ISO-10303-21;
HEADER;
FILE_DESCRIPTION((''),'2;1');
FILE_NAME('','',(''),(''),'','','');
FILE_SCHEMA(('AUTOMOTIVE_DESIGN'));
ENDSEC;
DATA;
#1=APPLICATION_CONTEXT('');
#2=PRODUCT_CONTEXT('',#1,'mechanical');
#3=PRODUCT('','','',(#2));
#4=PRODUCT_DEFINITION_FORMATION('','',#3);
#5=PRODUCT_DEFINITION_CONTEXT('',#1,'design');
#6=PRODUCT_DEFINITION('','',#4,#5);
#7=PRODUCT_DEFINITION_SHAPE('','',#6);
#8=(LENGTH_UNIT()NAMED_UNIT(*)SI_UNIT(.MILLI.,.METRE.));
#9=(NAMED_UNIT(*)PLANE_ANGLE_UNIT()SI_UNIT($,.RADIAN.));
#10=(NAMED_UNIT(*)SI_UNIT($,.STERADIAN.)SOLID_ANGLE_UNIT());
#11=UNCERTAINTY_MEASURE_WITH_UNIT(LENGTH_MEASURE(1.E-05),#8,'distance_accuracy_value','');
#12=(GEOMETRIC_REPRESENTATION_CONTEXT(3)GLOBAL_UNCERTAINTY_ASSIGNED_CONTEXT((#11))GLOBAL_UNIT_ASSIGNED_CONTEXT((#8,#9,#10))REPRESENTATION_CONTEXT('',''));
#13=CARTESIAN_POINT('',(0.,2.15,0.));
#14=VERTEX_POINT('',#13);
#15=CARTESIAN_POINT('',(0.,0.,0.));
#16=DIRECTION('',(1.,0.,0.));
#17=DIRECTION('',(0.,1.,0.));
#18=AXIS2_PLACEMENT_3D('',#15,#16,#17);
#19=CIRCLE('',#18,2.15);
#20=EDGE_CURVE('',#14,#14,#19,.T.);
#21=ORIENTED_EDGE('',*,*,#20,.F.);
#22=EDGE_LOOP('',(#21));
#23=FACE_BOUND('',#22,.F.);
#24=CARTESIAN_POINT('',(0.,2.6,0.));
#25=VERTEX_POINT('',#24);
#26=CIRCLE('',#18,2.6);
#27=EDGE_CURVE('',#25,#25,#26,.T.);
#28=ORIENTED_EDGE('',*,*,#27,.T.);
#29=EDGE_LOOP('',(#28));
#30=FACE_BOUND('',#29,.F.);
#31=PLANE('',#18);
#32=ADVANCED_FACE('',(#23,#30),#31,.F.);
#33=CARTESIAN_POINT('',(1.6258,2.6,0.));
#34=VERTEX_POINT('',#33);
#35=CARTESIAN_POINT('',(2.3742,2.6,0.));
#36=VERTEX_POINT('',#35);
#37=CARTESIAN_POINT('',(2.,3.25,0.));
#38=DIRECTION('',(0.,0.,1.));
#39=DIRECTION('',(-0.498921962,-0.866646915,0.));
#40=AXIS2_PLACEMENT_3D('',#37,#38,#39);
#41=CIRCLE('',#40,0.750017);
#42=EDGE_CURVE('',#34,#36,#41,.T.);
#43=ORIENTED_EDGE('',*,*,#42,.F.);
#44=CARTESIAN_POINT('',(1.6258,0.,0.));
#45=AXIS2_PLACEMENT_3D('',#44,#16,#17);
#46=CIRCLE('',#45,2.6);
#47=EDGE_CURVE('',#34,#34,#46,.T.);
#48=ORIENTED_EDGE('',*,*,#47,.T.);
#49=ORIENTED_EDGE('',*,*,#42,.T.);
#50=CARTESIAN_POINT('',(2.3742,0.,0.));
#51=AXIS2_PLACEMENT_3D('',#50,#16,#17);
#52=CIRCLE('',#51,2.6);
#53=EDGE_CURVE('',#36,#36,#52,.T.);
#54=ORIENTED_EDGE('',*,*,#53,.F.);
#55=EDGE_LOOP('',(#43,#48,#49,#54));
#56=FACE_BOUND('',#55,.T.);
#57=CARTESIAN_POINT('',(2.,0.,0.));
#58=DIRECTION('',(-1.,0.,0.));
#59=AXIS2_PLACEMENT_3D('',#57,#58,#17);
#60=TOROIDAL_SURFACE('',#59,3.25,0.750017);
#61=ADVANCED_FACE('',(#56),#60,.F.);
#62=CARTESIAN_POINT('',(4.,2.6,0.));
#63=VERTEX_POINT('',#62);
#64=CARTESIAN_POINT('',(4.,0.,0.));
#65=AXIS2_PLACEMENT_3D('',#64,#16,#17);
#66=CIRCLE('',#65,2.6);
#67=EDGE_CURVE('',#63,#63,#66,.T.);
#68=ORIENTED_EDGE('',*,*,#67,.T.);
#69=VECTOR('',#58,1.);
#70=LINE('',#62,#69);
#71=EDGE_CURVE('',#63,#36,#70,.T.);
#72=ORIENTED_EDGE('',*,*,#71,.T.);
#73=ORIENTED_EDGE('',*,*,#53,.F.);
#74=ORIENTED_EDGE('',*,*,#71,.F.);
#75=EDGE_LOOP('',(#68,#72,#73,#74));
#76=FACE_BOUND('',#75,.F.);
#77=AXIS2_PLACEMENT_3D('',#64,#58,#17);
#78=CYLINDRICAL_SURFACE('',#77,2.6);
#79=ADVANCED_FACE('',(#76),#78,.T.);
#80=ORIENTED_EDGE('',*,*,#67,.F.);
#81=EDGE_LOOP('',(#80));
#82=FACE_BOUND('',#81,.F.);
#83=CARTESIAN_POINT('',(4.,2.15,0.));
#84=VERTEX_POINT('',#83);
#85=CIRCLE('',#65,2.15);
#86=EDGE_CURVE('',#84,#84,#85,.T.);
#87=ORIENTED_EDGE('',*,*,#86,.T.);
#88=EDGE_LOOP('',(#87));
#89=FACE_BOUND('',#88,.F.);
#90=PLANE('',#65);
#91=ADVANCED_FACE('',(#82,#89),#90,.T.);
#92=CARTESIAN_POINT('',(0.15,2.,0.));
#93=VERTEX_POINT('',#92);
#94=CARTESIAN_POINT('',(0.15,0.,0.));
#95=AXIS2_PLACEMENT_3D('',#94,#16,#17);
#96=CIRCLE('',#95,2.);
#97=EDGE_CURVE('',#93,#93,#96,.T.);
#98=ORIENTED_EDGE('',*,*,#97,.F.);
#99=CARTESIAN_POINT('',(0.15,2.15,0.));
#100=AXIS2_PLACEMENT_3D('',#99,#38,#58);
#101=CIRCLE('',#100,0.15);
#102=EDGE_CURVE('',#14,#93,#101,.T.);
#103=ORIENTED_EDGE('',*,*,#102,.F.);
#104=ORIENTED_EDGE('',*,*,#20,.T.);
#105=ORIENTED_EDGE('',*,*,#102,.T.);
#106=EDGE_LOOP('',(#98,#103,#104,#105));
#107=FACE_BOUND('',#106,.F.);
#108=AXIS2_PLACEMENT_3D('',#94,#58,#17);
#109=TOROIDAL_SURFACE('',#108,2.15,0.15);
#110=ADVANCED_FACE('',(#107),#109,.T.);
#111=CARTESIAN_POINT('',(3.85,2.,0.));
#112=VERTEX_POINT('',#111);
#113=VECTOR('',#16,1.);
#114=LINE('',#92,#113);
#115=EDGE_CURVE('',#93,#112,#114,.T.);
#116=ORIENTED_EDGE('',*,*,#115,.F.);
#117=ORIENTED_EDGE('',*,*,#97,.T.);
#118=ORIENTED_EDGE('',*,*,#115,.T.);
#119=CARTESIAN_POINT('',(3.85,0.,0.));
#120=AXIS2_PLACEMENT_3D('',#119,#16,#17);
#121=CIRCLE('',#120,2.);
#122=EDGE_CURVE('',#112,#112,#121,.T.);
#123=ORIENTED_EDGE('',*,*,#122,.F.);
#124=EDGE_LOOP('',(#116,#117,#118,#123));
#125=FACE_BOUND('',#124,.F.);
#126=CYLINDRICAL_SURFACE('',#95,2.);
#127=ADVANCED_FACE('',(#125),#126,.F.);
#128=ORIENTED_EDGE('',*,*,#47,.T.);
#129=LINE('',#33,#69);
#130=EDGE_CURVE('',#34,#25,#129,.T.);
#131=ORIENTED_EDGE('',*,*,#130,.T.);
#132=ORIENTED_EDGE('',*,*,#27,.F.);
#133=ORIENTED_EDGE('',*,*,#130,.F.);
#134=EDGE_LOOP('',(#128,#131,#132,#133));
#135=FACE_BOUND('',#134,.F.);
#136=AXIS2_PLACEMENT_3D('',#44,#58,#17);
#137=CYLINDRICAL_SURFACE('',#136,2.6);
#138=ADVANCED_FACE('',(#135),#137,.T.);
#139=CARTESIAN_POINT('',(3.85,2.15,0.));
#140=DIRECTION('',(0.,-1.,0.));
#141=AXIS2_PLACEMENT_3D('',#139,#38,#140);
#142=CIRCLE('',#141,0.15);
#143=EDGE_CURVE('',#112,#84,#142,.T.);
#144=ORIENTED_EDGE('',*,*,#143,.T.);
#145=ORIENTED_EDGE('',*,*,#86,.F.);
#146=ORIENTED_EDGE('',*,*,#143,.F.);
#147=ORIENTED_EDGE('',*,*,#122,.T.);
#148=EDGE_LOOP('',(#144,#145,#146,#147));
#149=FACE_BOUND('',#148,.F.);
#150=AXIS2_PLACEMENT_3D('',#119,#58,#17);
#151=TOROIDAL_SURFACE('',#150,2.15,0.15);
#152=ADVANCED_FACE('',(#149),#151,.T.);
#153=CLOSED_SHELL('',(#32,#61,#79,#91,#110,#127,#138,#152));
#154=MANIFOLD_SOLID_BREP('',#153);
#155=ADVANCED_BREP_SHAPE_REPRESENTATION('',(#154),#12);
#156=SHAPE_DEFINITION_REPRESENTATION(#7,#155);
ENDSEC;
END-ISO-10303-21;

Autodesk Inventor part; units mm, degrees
sketch "Sketch_1" plane through (0, 0, 0) normal (0, 0, 1) x (1, 0, 0)
  line L0 (4, 0) -> (0, 0)
  arc A0 (0, 2.15) -> (0.15, 2) centre (0.15, 2.15) ccw
  line L1 (0.15, 2) -> (3.85, 2)
  arc A1 (3.85, 2) -> (4, 2.15) centre (3.85, 2.15) ccw
  line L2 (4, 2.15) -> (4, 2.6)
  line L3 (4, 2.6) -> (2.3742, 2.6)
  arc A2 (1.6258, 2.6) -> (2.3742, 2.6) centre (2, 3.25) ccw
  line L4 (1.6258, 2.6) -> (0, 2.6)
  line L5 (0, 2.6) -> (0, 2.15)
revolve "Revolution1" add sketch "Sketch_1" angle 360 about axis through (4, 0, 0) along (1, 0, 0)
ref_plane "ip_st_ir_1_1_XY" through (2, 3.25, 0) normal (1, 0, 0) x (0, 0, -1)
ref_plane "ip_st_ir_1_1_YZ" through (2, 3.25, 0) normal (0, 0, -1) x (0, 1, 0)
ref_plane "ip_st_ir_1_1_ZX" through (2, 3.25, 0) normal (0, 1, 0) x (1, 0, 0)
ref_plane "ip_st_ir_1_10_XY" through (2, 2.6293, -1.9103) normal (1, 0, 0) x (0, 0, -1)
ref_plane "ip_st_ir_1_10_YZ" through (2, 2.6293, -1.9103) normal (0, 0, -1) x (0, 1, 0)
ref_plane "ip_st_ir_1_10_ZX" through (2, 2.6293, -1.9103) normal (0, 1, 0) x (1, 0, 0)
ref_plane "ip_st_ir_1_2_XY" through (2, 2.6293, 1.9103) normal (1, 0, 0) x (0, 0, -1)
ref_plane "ip_st_ir_1_2_YZ" through (2, 2.6293, 1.9103) normal (0, 0, -1) x (0, 1, 0)
ref_plane "ip_st_ir_1_2_ZX" through (2, 2.6293, 1.9103) normal (0, 1, 0) x (1, 0, 0)
ref_plane "ip_st_ir_1_3_XY" through (2, 1.0043, 3.0909) normal (1, 0, 0) x (0, 0, -1)
ref_plane "ip_st_ir_1_3_YZ" through (2, 1.0043, 3.0909) normal (0, 0, -1) x (0, 1, 0)
ref_plane "ip_st_ir_1_3_ZX" through (2, 1.0043, 3.0909) normal (0, 1, 0) x (1, 0, 0)
ref_plane "ip_st_ir_1_4_XY" through (2, -1.0043, 3.0909) normal (1, 0, 0) x (0, 0, -1)
ref_plane "ip_st_ir_1_4_YZ" through (2, -1.0043, 3.0909) normal (0, 0, -1) x (0, 1, 0)
ref_plane "ip_st_ir_1_4_ZX" through (2, -1.0043, 3.0909) normal (0, 1, 0) x (1, 0, 0)
ref_plane "ip_st_ir_1_5_XY" through (2, -2.6293, 1.9103) normal (1, 0, 0) x (0, 0, -1)
ref_plane "ip_st_ir_1_5_YZ" through (2, -2.6293, 1.9103) normal (0, 0, -1) x (0, 1, 0)
ref_plane "ip_st_ir_1_5_ZX" through (2, -2.6293, 1.9103) normal (0, 1, 0) x (1, 0, 0)
ref_plane "ip_st_ir_1_6_XY" through (2, -3.25, 0) normal (1, 0, 0) x (0, 0, -1)
ref_plane "ip_st_ir_1_6_YZ" through (2, -3.25, 0) normal (0, 0, -1) x (0, 1, 0)
ref_plane "ip_st_ir_1_6_ZX" through (2, -3.25, 0) normal (0, 1, 0) x (1, 0, 0)
ref_plane "ip_st_ir_1_7_XY" through (2, -2.6293, -1.9103) normal (1, 0, 0) x (0, 0, -1)
ref_plane "ip_st_ir_1_7_YZ" through (2, -2.6293, -1.9103) normal (0, 0, -1) x (0, 1, 0)
ref_plane "ip_st_ir_1_7_ZX" through (2, -2.6293, -1.9103) normal (0, 1, 0) x (1, 0, 0)
ref_plane "ip_st_ir_1_8_XY" through (2, -1.0043, -3.0909) normal (1, 0, 0) x (0, 0, -1)
ref_plane "ip_st_ir_1_8_YZ" through (2, -1.0043, -3.0909) normal (0, 0, -1) x (0, 1, 0)
ref_plane "ip_st_ir_1_8_ZX" through (2, -1.0043, -3.0909) normal (0, 1, 0) x (1, 0, 0)
ref_plane "ip_st_ir_1_9_XY" through (2, 1.0043, -3.0909) normal (1, 0, 0) x (0, 0, -1)
ref_plane "ip_st_ir_1_9_YZ" through (2, 1.0043, -3.0909) normal (0, 0, -1) x (0, 1, 0)
ref_plane "ip_st_ir_1_9_ZX" through (2, 1.0043, -3.0909) normal (0, 1, 0) x (1, 0, 0)
ref_plane "ip_st_ir_1a_XY" through (0, 0, 0) normal (1, 0, 0) x (0, 0, -1)
ref_plane "ip_st_ir_1a_YZ" through (0, 0, 0) normal (0, 0, -1) x (0, 1, 0)
ref_plane "ip_st_ir_1a_ZX" through (0, 0, 0) normal (0, 1, 0) x (1, 0, 0)
ref_plane "ip_st_ir_2a_XY" through (0.2656, 0, 0) normal (1, 0, 0) x (0, 0, -1)
ref_plane "ip_st_ir_2a_YZ" through (0.2656, 0, 0) normal (0, 0, -1) x (0, 1, 0)
ref_plane "ip_st_ir_2a_ZX" through (0.2656, 0, 0) normal (0, 1, 0) x (1, 0, 0)
properties part number "684AZZ Inner Ring"
